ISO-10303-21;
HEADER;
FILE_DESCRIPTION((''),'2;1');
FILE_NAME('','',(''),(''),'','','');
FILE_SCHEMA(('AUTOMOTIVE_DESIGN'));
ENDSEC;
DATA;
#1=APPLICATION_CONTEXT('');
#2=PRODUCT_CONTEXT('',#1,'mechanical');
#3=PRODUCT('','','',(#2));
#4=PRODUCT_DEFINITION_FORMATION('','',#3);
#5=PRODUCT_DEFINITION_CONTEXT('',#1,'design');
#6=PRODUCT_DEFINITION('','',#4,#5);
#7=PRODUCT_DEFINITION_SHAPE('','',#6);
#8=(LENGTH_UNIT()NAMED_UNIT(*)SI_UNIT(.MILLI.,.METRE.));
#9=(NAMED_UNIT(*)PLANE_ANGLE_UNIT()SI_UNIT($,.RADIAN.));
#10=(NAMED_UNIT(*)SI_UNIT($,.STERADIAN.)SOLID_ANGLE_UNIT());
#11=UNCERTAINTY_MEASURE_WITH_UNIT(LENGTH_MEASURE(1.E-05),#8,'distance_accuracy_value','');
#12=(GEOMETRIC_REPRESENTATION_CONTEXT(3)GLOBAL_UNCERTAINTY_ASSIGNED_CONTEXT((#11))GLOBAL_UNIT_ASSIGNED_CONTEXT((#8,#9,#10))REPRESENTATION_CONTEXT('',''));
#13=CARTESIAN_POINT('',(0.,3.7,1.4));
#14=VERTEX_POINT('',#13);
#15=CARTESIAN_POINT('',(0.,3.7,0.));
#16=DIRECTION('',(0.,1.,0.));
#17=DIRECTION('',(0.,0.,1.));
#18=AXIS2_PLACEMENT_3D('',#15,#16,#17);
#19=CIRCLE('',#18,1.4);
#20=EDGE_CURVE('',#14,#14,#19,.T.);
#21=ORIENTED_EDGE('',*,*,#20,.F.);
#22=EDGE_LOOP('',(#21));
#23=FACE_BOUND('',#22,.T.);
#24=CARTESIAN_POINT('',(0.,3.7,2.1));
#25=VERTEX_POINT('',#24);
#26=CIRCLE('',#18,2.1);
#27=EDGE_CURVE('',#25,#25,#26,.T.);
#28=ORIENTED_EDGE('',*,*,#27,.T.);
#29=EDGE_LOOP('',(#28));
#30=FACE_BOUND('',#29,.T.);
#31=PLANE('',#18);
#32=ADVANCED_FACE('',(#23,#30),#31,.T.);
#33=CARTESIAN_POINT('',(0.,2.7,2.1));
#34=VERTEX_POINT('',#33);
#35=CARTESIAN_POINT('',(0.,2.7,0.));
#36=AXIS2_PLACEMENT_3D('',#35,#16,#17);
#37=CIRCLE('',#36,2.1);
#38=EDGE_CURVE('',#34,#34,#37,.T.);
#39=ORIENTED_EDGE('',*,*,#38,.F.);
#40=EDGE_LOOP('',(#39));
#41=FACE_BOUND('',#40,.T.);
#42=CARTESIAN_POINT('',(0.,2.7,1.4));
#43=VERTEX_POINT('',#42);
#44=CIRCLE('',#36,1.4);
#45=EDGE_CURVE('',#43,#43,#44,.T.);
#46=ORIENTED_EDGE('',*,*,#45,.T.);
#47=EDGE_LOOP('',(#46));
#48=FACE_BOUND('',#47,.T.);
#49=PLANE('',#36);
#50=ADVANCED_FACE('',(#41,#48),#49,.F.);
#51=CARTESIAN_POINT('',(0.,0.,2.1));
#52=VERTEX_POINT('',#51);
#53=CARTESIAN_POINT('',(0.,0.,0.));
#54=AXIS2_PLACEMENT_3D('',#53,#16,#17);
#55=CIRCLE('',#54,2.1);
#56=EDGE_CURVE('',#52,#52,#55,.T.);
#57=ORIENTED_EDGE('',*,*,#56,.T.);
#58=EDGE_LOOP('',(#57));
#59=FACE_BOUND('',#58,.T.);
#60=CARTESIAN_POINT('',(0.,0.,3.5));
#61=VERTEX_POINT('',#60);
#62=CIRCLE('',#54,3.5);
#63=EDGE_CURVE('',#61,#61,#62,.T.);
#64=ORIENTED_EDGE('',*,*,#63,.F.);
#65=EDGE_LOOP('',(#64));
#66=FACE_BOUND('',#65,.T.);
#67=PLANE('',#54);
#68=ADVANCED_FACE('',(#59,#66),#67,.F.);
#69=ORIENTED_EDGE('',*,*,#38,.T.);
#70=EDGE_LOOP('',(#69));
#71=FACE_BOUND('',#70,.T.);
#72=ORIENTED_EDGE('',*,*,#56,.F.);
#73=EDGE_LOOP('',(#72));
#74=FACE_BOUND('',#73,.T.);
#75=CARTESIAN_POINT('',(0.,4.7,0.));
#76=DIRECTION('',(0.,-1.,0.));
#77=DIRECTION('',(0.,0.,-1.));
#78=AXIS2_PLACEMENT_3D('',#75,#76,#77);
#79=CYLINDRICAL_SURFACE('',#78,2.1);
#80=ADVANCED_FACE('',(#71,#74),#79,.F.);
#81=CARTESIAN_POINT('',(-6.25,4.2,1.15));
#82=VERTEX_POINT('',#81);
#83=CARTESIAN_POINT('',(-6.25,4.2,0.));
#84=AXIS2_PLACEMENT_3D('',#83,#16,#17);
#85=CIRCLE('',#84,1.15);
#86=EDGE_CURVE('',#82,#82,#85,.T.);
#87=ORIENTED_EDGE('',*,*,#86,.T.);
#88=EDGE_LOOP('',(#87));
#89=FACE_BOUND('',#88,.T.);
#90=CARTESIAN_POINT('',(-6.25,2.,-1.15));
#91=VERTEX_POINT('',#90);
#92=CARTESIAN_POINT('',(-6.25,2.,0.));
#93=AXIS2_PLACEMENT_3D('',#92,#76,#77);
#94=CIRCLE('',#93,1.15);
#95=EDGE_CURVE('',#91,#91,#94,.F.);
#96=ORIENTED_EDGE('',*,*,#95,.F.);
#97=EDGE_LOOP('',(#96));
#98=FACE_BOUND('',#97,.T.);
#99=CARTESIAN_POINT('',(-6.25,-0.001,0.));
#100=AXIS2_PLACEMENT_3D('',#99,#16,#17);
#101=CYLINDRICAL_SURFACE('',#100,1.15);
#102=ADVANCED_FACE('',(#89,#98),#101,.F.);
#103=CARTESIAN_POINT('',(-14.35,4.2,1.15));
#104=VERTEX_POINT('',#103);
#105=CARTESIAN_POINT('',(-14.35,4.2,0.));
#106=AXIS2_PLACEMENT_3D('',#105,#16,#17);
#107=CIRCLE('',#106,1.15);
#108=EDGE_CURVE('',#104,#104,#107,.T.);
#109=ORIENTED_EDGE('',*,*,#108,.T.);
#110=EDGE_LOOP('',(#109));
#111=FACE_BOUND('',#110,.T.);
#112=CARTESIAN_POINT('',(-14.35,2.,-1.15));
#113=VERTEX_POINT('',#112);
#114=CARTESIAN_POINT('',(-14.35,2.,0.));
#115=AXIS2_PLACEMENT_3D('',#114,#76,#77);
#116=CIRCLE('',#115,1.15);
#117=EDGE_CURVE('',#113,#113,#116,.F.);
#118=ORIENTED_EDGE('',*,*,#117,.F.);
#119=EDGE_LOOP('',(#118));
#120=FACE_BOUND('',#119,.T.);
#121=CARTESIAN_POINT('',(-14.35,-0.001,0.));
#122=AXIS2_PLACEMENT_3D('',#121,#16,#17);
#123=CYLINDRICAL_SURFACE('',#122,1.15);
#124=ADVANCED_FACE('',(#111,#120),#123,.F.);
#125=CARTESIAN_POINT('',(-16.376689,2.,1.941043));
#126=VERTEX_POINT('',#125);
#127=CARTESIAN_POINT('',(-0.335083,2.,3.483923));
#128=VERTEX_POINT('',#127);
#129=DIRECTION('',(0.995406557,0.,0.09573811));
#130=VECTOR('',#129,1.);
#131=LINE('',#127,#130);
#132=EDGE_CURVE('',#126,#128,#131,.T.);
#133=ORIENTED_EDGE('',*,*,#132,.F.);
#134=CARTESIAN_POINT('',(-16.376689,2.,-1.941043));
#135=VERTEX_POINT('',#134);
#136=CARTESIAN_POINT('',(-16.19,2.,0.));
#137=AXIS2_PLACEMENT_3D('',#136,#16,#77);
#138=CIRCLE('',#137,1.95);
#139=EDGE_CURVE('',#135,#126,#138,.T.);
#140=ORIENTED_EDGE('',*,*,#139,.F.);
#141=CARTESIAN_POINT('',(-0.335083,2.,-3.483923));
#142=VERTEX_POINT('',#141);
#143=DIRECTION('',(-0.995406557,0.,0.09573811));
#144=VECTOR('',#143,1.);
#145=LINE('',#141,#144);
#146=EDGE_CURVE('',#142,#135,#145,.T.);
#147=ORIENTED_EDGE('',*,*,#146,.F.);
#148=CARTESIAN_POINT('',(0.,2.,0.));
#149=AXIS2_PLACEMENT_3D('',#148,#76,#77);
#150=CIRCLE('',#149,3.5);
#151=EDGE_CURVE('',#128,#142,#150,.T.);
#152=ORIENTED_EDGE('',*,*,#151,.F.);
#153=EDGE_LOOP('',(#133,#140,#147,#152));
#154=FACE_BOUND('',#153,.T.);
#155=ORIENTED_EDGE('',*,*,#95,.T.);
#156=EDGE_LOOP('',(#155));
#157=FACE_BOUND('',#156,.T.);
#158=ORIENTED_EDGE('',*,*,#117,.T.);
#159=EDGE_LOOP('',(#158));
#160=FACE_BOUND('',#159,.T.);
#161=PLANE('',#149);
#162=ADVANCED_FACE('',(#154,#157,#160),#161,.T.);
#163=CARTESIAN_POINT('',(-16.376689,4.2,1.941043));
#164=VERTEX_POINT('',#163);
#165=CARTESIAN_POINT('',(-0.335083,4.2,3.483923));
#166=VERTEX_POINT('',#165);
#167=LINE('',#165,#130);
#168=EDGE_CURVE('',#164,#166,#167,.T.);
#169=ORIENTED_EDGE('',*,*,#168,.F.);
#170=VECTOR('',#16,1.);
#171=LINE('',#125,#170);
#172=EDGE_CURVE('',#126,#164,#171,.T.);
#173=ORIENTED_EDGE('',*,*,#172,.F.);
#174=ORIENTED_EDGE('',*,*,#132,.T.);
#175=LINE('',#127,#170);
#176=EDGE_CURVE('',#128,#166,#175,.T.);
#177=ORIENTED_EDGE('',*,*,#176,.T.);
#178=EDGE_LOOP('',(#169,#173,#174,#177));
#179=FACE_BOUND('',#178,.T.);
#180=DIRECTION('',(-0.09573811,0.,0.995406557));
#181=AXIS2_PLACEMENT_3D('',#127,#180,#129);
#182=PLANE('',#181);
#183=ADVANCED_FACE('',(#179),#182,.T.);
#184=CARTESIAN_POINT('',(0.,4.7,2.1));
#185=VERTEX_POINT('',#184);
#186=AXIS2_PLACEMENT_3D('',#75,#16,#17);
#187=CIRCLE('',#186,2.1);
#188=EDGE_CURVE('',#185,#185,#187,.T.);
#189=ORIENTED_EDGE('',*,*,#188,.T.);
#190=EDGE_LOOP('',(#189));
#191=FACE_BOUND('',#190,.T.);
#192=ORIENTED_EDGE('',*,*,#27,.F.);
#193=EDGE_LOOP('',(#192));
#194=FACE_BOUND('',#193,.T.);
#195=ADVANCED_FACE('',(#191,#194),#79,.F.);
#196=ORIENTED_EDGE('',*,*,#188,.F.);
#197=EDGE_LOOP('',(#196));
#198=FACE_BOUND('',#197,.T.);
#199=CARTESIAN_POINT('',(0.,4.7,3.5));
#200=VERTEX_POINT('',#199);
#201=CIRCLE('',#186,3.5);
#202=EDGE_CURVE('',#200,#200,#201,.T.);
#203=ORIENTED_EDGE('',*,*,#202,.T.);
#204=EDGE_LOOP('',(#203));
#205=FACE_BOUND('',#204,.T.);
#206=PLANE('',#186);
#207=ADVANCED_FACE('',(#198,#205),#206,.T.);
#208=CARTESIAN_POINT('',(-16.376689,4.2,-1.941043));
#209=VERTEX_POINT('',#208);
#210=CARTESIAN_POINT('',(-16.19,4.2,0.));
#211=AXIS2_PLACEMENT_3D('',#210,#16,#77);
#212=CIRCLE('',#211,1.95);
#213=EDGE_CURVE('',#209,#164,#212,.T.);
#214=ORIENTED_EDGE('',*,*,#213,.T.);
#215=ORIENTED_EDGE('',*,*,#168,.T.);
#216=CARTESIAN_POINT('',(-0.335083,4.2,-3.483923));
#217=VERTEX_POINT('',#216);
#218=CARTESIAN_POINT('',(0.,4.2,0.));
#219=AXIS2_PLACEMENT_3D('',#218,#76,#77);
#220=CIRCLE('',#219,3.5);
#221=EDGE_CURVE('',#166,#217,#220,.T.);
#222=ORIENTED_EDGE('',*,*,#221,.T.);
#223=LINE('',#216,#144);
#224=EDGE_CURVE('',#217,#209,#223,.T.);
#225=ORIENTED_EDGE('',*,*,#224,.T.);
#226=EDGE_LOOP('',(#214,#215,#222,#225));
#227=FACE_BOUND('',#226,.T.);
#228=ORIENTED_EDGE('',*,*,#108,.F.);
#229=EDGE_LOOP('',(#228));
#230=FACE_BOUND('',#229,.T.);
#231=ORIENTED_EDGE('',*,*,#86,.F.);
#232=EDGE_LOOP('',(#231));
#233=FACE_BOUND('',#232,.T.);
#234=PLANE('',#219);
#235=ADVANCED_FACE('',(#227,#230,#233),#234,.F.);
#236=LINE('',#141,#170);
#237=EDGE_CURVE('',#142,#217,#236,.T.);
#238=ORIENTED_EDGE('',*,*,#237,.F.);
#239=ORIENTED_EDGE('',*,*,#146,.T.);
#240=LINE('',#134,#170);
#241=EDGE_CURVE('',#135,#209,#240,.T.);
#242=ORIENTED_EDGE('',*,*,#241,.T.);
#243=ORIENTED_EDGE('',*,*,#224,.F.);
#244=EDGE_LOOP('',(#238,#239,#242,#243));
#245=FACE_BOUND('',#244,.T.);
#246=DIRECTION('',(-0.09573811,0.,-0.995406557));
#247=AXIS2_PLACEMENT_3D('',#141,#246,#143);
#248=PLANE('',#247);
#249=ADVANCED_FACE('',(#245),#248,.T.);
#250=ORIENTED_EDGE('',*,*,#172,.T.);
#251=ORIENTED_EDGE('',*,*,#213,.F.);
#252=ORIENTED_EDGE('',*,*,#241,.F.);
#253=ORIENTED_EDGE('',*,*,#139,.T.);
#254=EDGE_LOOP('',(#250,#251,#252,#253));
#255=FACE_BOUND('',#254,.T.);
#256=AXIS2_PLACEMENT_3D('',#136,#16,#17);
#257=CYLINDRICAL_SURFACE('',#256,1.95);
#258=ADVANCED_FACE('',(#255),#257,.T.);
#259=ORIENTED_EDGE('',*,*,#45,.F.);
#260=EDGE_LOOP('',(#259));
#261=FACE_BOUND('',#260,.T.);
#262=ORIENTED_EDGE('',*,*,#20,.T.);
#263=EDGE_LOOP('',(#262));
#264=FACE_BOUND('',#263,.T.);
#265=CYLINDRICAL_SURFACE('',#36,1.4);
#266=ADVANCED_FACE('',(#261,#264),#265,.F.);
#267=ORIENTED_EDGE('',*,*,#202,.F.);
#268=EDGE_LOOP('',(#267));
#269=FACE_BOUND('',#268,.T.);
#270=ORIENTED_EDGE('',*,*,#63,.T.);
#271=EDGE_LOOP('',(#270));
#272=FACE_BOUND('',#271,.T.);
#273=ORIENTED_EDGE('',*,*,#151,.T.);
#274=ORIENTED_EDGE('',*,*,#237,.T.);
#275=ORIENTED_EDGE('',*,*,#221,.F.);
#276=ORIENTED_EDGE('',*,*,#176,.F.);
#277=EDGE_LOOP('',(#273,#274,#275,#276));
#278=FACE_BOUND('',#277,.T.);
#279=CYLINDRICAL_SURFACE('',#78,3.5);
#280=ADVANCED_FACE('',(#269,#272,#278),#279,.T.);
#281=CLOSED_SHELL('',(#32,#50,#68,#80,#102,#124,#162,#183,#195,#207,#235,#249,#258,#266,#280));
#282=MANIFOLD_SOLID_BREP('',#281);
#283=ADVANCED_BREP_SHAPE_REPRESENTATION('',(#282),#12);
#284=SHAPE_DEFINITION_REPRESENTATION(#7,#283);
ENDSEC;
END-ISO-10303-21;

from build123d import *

# Parameters (mm, degrees)
SKETCH1_R           = 3.5
SKETCH1_R_2         = 2.1
BOSS_EXTRUDE1_DEPTH = 4.7
BOSS_EXTRUDE2_START = -2
SKETCH3_R           = 2.1
SKETCH3_R_2         = 1.4
BOSS_EXTRUDE2_DEPTH = 1
BOSS_EXTRUDE3_START = -2.7
BOSS_EXTRUDE3_DEPTH = 2.2
CUT_EXTRUDE1_REACH  = 20.946
SKETCH5_R           = 1.15


with BuildPart() as part:
    # Sketch1 → Boss-Extrude1 (new body)
    with BuildSketch(Plane(origin=(0, 0, 0), x_dir=(1, 0, 0), z_dir=(0, 1, 0))):
        with Locations(Location((0, 0, 0), (0, 0, 270))):
            Circle(SKETCH1_R)
        with Locations(Location((0, 0, 0), (0, 0, 270))):
            Circle(SKETCH1_R_2, mode=Mode.SUBTRACT)
    extrude(amount=BOSS_EXTRUDE1_DEPTH)

    # Sketch3 → Boss-Extrude2 (add)
    with BuildSketch(Plane(origin=(0, 4.7, 0), x_dir=(1, 0, 0), z_dir=(0, 1, 0)).offset(BOSS_EXTRUDE2_START)):
        with Locations(Location((0, 0, 0), (0, 0, 270))):
            Circle(SKETCH3_R)
        with Locations(Location((0, 0, 0), (0, 0, 270))):
            Circle(SKETCH3_R_2, mode=Mode.SUBTRACT)
    extrude(amount=BOSS_EXTRUDE2_DEPTH)

    # Sketch4 → Boss-Extrude3 (add)
    with BuildSketch(Plane(origin=(0, 4.7, 0), x_dir=(1, 0, 0), z_dir=(0, 1, 0)).offset(BOSS_EXTRUDE3_START)):
        with BuildLine():
            Line((-0.335083385, 3.483922951), (-16.376689314, 1.941042787))
            ThreePointArc((-16.376689314, 1.941042787), (-18.14, 0), (-16.376689314, -1.941042787))
            Line((-16.376689314, -1.941042787), (-0.335083385, -3.483922951))
            ThreePointArc((-0.335083385, -3.483922951), (-3.5, 0), (-0.335083385, 3.483922951))
        make_face()
    extrude(amount=BOSS_EXTRUDE3_DEPTH)

    # Sketch5 → Cut-Extrude1 (cut, up to next)
    with BuildSketch(Plane(origin=(0, 4.2, 0), x_dir=(1, 0, 0), z_dir=(0, 1, 0)), mode=Mode.PRIVATE) as cut_extrude1_sk1:
        with Locations(Location((-14.35, 0, 0), (0, 0, 270))):
            Circle(SKETCH5_R)
    cut_extrude1_tool1 = extrude(cut_extrude1_sk1.sketch, amount=-CUT_EXTRUDE1_REACH, mode=Mode.PRIVATE) & part.part
    # Sketch5 → Cut-Extrude1 (cut, up to next)
    with BuildSketch(Plane(origin=(0, 4.2, 0), x_dir=(1, 0, 0), z_dir=(0, 1, 0)), mode=Mode.PRIVATE) as cut_extrude1_sk2:
        with Locations(Location((-6.25, 0, 0), (0, 0, 270))):
            Circle(SKETCH5_R)
    cut_extrude1_tool2 = extrude(cut_extrude1_sk2.sketch, amount=-CUT_EXTRUDE1_REACH, mode=Mode.PRIVATE) & part.part
    add(cut_extrude1_tool1.solids().sort_by_distance((-14.35, 4.2, 0))[0], mode=Mode.SUBTRACT)
    add(cut_extrude1_tool2.solids().sort_by_distance((-6.25, 4.2, 0))[0], mode=Mode.SUBTRACT)


solid = part.part
